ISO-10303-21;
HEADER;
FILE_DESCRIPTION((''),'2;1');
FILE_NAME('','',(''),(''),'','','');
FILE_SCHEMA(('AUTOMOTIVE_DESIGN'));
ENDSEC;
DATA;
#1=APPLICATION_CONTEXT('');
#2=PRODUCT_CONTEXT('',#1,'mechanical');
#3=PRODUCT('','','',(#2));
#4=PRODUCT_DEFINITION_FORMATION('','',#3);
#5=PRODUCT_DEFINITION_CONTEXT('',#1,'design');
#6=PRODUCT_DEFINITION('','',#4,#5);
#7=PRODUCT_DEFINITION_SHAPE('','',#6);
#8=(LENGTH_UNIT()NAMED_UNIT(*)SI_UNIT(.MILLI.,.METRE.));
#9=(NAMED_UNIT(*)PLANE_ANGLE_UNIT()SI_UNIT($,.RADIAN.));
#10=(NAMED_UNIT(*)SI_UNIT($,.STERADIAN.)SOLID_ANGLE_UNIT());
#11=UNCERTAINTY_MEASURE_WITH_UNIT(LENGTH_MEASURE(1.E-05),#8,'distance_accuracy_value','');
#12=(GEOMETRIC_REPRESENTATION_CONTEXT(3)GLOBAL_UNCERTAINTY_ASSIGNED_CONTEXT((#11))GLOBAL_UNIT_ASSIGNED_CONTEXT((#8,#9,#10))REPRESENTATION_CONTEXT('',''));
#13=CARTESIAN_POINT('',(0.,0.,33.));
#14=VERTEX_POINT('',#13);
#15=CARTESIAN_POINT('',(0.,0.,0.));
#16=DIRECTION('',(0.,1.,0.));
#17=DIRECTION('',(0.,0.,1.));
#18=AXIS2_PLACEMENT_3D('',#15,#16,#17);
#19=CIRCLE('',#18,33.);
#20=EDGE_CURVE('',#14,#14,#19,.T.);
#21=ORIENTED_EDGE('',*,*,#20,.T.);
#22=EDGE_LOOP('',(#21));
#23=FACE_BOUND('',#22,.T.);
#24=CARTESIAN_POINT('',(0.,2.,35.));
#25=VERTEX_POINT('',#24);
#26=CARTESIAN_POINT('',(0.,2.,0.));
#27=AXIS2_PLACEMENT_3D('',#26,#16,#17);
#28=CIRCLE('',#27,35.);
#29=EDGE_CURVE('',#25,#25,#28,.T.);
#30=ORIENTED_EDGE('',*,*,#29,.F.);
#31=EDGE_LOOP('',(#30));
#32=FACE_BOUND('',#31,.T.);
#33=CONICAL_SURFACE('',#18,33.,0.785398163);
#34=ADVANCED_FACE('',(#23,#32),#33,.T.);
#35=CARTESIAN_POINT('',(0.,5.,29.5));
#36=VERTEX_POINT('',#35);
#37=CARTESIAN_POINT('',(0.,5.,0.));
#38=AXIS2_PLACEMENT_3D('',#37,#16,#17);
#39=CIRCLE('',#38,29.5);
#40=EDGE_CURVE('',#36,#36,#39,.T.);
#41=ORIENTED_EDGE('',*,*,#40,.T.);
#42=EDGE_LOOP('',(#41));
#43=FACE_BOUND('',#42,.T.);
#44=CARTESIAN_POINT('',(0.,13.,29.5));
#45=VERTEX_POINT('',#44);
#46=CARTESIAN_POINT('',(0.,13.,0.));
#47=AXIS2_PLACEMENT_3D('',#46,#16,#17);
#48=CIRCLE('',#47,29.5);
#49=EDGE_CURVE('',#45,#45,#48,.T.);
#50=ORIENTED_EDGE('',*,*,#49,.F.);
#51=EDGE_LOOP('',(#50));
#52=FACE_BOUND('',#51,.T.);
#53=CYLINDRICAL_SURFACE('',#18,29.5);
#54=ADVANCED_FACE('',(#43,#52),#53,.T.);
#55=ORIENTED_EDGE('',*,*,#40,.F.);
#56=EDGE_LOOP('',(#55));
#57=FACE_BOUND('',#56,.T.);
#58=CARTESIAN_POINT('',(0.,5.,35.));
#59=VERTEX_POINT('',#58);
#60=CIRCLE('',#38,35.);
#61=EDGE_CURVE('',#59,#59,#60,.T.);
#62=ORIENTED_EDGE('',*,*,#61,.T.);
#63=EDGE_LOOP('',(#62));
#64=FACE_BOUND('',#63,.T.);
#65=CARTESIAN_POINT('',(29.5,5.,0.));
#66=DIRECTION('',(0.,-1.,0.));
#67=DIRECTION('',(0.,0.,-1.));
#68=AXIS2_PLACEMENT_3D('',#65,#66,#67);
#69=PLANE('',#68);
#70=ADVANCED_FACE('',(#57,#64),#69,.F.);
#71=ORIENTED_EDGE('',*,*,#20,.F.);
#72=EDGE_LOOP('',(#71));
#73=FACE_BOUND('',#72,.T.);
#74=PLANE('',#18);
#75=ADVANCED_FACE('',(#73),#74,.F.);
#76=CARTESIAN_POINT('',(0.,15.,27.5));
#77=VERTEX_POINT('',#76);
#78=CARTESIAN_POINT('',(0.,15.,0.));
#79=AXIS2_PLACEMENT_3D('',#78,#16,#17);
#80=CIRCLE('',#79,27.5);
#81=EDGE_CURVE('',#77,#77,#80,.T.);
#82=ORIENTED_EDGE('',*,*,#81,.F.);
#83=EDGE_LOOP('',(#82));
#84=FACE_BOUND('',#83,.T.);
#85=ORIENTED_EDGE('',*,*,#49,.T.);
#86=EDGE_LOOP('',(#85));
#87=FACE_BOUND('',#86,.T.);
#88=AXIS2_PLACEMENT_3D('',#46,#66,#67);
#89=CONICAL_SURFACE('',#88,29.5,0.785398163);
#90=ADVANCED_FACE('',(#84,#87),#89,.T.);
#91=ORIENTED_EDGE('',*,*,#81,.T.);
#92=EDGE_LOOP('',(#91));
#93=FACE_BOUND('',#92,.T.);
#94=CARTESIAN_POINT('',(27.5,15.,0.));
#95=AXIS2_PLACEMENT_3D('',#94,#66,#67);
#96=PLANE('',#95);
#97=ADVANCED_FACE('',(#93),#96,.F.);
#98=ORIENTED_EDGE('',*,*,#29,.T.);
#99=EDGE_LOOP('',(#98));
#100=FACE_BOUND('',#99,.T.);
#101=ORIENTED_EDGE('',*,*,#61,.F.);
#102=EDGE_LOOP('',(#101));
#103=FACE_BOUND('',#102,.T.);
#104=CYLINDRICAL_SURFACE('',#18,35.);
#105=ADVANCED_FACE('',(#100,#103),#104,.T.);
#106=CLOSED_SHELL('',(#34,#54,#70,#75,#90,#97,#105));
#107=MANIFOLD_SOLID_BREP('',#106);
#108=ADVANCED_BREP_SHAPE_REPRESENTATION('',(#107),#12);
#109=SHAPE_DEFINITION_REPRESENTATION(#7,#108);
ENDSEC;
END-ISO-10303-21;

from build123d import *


with BuildPart() as part:
    # Sketch2 → Revolve1 (revolve)
    with BuildSketch(Plane.XY):
        Polygon((0, 0), (33, 0), (35, 2), (35, 5), (29.5, 5), (29.5, 13), (27.5, 15), (0, 15), align=None)
    revolve(axis=Axis((0, 0, 0), (0, -1, 0)))


solid = part.part
